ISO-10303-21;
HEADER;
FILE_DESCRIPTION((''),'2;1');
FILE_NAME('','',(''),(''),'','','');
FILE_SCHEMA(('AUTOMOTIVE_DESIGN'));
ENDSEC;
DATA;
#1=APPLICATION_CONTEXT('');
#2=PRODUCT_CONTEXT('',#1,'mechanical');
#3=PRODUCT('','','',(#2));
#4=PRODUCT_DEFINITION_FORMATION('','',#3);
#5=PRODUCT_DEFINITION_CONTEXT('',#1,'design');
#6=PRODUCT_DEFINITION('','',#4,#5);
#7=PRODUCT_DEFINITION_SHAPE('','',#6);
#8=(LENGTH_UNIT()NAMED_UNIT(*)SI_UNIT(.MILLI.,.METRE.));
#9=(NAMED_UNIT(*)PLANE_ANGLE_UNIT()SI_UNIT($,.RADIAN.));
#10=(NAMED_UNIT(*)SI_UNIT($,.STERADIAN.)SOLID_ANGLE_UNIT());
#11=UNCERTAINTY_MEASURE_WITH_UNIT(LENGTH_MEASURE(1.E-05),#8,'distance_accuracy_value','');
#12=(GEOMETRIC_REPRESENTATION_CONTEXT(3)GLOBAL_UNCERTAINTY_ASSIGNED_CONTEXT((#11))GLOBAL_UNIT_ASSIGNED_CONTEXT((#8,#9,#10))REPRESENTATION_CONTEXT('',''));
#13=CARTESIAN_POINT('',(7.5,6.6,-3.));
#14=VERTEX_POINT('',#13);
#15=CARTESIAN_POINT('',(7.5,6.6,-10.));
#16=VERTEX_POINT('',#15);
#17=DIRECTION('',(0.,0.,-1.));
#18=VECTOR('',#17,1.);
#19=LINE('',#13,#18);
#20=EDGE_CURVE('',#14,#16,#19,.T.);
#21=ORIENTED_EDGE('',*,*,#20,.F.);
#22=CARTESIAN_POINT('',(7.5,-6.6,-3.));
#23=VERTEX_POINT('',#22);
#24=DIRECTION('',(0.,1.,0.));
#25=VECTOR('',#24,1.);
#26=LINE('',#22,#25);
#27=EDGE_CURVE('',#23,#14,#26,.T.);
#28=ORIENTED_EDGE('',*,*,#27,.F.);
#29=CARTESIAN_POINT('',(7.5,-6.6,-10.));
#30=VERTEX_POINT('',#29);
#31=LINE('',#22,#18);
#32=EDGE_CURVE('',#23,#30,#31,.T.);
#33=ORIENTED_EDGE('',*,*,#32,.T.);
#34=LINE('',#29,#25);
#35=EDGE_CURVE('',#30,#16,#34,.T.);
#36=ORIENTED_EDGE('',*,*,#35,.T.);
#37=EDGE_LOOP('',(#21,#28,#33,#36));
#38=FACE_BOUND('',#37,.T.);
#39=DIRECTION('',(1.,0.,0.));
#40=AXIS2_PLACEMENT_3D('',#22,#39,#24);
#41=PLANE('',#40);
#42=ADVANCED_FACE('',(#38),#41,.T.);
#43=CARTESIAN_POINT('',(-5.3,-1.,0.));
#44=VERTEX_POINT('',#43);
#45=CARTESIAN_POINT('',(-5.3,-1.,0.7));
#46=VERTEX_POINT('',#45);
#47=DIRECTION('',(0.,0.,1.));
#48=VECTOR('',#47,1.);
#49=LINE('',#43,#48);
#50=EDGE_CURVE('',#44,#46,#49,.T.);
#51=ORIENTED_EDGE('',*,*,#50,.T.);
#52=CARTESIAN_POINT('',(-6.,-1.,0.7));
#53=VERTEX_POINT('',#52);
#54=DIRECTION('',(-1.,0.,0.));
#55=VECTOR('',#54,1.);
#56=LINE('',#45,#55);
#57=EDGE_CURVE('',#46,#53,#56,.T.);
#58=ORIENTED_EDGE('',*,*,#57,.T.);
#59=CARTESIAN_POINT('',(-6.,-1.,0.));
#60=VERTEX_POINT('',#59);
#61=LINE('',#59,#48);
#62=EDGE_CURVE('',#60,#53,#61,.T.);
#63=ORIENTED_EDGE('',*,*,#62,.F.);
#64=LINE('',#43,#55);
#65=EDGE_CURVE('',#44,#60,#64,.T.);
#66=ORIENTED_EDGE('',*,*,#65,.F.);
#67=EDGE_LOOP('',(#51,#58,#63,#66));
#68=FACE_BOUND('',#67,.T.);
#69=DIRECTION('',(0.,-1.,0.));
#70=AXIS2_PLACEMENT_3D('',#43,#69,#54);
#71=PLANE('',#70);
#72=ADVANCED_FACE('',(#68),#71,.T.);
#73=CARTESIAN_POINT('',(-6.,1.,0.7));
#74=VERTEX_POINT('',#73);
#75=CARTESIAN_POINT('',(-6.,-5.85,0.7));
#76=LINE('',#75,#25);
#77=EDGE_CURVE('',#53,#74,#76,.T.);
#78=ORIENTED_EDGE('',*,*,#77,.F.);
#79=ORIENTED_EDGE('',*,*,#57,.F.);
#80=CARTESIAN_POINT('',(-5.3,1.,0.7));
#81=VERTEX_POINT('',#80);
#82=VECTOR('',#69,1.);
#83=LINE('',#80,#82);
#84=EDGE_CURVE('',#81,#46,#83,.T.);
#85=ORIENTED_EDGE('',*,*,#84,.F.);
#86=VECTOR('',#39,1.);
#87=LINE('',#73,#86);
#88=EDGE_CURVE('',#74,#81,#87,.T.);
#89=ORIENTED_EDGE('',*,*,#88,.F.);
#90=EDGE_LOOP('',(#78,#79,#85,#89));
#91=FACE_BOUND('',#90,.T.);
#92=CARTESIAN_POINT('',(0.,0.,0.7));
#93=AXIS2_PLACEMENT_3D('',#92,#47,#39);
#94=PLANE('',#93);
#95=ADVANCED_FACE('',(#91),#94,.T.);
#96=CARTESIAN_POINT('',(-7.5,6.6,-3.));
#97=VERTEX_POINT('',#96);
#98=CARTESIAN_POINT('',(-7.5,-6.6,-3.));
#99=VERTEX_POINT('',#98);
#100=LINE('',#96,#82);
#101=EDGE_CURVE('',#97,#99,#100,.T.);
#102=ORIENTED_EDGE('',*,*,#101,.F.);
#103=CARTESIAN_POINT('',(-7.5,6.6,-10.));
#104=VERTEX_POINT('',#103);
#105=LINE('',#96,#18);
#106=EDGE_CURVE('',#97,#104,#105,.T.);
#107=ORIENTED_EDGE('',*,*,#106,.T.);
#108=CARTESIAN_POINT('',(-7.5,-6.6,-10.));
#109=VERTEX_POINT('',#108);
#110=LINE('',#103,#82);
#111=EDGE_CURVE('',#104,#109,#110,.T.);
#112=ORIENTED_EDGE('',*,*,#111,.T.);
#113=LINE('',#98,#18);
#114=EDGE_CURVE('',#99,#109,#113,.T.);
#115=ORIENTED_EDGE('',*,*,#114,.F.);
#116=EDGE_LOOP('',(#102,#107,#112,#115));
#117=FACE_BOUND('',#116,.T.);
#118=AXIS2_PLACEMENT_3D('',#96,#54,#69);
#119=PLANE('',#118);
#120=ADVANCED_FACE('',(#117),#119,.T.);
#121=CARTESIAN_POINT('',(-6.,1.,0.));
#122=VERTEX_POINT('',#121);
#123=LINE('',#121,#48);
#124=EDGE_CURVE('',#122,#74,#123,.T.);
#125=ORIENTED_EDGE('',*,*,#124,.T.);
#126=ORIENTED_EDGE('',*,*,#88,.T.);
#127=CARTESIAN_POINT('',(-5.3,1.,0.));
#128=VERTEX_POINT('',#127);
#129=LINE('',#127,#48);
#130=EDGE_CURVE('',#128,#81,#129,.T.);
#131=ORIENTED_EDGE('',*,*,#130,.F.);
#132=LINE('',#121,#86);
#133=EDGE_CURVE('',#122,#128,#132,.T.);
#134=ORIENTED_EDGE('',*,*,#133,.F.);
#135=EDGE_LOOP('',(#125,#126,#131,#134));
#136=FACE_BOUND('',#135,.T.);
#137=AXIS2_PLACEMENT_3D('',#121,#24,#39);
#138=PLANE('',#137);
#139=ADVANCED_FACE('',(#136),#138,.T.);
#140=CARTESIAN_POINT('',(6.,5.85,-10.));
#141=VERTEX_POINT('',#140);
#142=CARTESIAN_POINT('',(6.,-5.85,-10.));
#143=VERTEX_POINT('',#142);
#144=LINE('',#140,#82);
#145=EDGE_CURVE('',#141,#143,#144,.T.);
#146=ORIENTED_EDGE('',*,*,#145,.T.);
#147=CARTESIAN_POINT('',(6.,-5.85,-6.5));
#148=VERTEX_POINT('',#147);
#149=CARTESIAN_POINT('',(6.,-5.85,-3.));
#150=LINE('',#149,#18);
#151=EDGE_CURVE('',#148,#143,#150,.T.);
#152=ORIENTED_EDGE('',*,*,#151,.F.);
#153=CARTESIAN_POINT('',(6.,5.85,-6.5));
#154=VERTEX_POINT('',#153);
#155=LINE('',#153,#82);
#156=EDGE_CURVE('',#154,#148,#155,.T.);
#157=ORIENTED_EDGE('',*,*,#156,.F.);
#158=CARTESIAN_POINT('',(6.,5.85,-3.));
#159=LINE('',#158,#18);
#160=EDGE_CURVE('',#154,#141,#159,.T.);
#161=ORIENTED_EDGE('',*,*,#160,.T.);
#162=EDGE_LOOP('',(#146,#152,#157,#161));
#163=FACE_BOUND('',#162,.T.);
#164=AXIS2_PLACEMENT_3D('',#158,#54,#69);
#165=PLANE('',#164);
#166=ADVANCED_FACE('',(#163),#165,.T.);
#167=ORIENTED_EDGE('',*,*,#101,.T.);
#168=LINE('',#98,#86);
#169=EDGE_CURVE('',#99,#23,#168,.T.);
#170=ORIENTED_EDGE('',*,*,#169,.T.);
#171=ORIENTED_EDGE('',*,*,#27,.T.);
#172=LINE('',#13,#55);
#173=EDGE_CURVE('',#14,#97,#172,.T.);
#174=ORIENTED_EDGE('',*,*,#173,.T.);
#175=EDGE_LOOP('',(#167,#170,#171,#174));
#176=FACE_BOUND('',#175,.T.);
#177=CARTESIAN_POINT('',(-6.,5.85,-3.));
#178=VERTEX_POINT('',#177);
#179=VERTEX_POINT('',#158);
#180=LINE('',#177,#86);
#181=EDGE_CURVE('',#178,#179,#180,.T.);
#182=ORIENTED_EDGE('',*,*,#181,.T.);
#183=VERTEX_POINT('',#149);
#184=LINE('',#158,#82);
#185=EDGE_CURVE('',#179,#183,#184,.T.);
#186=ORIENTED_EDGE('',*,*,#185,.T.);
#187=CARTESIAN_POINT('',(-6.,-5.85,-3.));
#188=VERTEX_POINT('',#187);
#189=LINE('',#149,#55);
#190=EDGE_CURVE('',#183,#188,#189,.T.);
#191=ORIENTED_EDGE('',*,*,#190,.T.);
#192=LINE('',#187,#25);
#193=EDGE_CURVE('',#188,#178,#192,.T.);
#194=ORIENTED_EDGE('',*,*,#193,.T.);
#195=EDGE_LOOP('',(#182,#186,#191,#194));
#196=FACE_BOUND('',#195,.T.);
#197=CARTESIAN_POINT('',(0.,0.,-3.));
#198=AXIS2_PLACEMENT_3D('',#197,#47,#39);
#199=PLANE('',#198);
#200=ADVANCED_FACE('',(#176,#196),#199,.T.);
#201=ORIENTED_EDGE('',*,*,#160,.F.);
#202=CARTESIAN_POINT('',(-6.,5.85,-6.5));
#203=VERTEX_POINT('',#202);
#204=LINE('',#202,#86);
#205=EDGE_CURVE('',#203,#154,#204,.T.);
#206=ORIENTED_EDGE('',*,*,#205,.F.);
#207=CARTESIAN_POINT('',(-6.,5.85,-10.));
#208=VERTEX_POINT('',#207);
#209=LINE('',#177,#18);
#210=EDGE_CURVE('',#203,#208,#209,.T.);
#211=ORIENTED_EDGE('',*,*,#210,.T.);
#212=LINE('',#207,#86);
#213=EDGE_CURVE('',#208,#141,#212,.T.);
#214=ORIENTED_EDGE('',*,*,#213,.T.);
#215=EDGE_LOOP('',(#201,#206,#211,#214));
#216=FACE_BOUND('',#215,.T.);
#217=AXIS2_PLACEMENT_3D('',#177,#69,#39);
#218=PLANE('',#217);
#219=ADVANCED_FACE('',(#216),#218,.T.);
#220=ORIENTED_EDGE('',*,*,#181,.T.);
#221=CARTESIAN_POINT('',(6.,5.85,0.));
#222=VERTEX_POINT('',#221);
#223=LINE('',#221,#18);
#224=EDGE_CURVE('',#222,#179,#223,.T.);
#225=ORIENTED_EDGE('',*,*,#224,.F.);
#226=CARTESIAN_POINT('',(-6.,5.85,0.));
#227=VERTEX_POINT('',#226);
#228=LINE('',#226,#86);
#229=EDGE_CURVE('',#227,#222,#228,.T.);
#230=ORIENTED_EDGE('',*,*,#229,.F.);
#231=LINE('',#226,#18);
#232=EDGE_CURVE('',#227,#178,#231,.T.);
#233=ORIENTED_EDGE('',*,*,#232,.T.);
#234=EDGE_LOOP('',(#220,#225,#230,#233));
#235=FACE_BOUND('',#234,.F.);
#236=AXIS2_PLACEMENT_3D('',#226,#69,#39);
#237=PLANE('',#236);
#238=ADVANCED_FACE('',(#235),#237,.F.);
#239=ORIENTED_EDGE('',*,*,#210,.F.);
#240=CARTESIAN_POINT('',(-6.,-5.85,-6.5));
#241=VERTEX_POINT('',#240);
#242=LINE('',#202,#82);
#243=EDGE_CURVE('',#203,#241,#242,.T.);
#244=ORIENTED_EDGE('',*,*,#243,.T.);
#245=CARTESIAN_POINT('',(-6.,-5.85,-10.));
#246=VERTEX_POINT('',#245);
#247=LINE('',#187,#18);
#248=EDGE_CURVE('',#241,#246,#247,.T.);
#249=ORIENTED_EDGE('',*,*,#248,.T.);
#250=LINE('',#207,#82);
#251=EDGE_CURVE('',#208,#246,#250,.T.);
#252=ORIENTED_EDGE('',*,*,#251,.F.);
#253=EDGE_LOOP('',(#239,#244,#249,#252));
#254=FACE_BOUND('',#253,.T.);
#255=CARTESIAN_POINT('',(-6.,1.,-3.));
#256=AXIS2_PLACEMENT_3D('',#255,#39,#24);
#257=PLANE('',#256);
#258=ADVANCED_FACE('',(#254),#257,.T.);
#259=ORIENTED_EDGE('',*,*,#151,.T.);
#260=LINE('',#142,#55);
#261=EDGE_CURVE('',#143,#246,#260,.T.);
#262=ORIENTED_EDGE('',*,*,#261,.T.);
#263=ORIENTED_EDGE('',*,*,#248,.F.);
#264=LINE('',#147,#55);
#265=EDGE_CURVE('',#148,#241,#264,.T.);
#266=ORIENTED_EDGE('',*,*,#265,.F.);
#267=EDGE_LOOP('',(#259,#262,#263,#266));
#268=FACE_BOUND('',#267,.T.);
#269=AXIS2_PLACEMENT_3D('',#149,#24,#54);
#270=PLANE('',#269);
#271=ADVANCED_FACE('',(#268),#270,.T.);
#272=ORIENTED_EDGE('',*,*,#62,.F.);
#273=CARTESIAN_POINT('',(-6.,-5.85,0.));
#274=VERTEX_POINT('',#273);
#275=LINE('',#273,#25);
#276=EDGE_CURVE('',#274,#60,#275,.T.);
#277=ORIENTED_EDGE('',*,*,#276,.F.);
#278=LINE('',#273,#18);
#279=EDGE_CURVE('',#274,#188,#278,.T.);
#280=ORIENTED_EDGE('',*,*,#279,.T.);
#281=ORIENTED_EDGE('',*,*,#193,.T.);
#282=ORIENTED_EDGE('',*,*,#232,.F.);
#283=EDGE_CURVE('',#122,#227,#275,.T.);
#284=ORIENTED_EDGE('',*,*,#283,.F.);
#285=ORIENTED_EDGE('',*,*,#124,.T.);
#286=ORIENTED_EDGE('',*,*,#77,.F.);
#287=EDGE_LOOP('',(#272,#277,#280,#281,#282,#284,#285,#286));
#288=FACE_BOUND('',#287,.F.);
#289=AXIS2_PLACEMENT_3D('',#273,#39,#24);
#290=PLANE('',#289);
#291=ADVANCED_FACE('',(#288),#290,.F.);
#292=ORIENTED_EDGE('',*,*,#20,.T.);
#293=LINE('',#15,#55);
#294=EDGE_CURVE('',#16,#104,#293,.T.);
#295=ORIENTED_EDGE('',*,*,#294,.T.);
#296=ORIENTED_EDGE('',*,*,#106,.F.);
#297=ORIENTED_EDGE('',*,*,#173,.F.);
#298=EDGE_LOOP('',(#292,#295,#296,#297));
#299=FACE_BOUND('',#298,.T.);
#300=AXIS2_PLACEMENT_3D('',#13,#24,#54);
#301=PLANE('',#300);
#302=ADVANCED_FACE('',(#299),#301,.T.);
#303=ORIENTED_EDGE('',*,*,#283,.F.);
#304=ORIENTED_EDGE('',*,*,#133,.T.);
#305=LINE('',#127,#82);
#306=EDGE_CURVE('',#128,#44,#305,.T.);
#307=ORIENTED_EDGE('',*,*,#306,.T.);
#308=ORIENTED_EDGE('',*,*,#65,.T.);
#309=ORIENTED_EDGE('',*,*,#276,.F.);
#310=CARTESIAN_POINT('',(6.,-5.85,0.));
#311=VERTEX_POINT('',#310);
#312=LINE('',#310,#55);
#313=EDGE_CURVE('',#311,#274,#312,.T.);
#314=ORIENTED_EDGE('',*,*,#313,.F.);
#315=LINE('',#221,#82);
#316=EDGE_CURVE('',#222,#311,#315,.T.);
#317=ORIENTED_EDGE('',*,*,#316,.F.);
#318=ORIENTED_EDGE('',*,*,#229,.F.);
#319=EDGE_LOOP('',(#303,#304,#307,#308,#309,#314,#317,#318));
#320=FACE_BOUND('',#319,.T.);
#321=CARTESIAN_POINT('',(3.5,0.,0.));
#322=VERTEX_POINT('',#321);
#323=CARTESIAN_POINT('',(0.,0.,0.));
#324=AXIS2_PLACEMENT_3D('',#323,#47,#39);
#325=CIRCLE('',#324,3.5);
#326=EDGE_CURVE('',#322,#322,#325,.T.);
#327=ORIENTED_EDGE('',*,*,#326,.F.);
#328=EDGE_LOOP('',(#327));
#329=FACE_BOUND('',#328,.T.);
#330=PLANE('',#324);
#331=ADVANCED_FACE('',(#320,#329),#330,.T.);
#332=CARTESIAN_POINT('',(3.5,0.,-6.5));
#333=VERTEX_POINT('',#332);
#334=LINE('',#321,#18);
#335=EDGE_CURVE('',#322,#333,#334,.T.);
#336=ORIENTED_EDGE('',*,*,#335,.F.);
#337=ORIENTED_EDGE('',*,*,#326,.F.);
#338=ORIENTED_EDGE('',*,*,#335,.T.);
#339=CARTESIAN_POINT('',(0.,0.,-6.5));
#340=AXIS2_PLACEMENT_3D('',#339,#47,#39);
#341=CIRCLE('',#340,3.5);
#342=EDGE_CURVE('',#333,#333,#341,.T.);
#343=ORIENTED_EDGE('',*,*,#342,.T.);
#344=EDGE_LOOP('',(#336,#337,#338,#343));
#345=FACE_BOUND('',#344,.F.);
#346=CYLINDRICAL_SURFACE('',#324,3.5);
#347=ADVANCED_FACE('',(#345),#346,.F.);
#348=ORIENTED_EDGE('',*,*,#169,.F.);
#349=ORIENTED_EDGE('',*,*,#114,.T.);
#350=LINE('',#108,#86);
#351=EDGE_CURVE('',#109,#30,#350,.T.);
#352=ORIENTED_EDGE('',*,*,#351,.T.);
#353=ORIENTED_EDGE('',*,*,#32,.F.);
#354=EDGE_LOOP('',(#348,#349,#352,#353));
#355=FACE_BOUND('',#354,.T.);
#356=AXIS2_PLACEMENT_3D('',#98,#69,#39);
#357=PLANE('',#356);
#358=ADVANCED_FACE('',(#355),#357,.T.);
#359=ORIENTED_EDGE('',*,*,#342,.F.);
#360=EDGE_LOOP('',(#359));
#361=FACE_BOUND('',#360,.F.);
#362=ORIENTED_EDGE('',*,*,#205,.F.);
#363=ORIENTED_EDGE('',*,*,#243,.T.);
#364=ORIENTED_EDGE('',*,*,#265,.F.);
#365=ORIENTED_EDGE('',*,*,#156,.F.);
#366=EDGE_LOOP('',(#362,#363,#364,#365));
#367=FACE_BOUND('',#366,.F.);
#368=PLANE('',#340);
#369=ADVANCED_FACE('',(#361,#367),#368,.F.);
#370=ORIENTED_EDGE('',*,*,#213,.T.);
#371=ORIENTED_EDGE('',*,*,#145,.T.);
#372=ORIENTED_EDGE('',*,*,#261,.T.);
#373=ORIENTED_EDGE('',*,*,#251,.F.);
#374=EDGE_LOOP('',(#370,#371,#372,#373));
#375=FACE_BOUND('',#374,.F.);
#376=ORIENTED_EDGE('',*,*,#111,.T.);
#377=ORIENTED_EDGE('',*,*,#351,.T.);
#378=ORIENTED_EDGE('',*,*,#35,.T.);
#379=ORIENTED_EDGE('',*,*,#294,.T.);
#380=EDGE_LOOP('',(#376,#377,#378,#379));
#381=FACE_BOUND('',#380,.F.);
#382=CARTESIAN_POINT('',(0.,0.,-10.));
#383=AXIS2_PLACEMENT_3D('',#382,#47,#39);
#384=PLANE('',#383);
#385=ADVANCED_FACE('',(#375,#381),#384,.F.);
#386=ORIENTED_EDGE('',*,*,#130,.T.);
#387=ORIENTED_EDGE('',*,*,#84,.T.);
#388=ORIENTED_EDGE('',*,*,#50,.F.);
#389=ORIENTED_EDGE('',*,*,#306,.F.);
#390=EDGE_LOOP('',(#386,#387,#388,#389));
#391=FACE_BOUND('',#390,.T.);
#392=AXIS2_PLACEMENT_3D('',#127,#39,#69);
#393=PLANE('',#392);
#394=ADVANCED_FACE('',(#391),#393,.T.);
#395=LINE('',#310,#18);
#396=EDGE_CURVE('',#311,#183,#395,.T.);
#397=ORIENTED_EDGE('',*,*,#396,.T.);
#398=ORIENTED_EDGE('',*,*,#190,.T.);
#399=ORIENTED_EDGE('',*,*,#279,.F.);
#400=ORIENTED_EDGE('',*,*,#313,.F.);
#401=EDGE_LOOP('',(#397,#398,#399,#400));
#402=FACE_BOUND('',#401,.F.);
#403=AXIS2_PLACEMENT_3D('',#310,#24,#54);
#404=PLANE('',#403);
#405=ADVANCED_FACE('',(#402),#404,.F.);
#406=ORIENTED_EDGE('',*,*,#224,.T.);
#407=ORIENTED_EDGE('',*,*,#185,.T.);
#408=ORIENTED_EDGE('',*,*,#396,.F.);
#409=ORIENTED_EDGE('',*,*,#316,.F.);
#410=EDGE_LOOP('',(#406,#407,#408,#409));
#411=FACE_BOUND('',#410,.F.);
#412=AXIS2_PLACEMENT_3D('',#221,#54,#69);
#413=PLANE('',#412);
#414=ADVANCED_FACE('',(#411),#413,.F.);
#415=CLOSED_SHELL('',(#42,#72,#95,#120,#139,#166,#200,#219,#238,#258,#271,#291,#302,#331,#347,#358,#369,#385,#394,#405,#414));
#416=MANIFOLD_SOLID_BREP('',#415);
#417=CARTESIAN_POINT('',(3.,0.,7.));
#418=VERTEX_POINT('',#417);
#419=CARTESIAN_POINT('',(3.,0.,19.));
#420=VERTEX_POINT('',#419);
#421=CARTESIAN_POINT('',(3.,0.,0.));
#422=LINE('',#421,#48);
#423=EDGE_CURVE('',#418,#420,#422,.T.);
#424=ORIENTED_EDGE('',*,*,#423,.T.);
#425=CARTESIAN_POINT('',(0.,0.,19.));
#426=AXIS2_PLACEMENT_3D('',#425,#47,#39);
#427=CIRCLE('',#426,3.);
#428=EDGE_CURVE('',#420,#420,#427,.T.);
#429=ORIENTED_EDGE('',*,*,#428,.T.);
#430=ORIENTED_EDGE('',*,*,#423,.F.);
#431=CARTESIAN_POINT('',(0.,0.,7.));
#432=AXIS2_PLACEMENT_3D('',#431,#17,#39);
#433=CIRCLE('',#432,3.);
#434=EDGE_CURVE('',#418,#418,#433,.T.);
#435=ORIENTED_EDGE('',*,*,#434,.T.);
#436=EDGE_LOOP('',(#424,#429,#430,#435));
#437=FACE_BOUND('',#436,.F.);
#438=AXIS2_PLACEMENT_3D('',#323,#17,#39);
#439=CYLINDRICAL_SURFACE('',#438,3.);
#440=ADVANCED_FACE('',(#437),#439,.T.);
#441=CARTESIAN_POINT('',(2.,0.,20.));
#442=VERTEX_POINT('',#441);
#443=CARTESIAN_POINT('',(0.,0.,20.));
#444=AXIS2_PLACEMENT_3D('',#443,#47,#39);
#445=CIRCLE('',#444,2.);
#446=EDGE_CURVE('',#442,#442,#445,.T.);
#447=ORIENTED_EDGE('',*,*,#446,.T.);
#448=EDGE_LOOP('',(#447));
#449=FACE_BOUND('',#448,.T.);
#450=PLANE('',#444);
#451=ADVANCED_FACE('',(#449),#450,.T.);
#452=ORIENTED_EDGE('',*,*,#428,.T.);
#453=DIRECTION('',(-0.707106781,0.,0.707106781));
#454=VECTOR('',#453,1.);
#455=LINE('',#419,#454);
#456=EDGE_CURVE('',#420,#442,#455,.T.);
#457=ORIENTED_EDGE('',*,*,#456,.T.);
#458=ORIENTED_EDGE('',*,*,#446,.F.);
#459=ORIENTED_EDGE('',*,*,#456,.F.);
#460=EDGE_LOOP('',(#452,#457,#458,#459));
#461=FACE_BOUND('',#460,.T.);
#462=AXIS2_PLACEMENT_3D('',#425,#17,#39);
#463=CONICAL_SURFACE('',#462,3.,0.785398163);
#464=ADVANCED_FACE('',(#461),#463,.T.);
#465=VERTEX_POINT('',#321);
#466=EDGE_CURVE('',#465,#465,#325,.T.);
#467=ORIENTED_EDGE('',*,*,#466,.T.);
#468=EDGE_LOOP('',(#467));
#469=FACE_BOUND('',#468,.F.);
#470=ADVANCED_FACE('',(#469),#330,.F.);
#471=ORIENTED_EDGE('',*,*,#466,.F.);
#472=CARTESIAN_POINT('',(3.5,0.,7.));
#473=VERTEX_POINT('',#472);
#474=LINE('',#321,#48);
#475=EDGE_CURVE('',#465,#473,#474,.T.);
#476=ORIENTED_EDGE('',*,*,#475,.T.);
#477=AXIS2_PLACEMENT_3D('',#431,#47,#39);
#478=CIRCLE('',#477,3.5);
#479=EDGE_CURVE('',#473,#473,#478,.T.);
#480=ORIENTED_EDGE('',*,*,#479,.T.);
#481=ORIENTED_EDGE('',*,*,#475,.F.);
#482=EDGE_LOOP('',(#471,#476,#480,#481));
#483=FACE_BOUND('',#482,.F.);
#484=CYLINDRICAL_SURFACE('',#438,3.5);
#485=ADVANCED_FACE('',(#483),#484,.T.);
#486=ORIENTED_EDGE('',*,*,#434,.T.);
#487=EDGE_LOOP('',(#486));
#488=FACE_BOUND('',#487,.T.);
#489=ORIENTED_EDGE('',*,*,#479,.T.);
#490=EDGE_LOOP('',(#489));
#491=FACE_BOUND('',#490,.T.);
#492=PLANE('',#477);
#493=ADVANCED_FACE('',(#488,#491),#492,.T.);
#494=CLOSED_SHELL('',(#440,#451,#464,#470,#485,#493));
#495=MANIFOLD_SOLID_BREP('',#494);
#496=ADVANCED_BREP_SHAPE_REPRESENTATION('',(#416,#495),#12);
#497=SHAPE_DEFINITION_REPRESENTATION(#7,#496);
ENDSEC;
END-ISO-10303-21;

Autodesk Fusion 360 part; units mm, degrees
sketch "Sketch1" plane through (0, 0, 0) normal (0, 0, 1) x (1, 0, 0)
  line L0 (6, -5.85) -> (-6, -5.85)
  line L1 (-6, -5.85) -> (-6, 5.85)
  line L2 (-6, 5.85) -> (6, 5.85)
  line L3 (6, 5.85) -> (6, -5.85)
  line L4 (6, -5.85) -> (-6, 5.85) construction
  line L5 (-6, -5.85) -> (6, 5.85) construction
  circle A0 centre (0, 0) radius 3.5
  circle A1 centre (0, 0) radius 3
  line L6 (-6, 1) -> (-5.3, 1)
  line L7 (-5.3, 1) -> (-5.3, -1)
  line L8 (-5.3, -1) -> (-6, -1)
  line L9 (-6, -1) -> (-6, 1)
  line L10 (-7.5, -6.6) -> (7.5, -6.6)
  line L11 (7.5, -6.6) -> (7.5, 6.6)
  line L12 (7.5, 6.6) -> (-7.5, 6.6)
  line L13 (-7.5, 6.6) -> (-7.5, -6.6)
  line L14 (-7.5, -6.6) -> (7.5, 6.6) construction
  line L15 (7.5, -6.6) -> (-7.5, 6.6) construction
  point P0 (-6, 0)
  point P1 (-6, 0)
  dimension "d77" = 12
  dimension "d78" = 11.7
  dimension "d79" = 7
  dimension "d80" = 6
  dimension "d81" = 0.7
  dimension "d82" = 2
  dimension "d83" = 15
  dimension "d84" = 13.2
  dimension "d260" = 0
  dimension "d261" = 0
  dimension "d262" = 0
  dimension "d263" = 0
extrude "Extrude1" add sketch "Sketch1" along normal blind 7 contours A0 | A1 makes body 1
extrude "Extrude2" add sketch "Sketch1" along normal blind 20 contours A1 bodies 1
chamfer "Chamfer1" distance 1 angle 45 1 edges at (-2.797, -1.0848, 20) on bodies 1
extrude "Extrude3" add sketch "Sketch1" against normal blind 6.5 separate body contours L0 L1 L2 L3 L6 L7 L8 | L1 L6 L7 L8 L9 makes body 2
extrude "Extrude4" add sketch "Sketch1" against normal blind 7 from surface at -3 contours L10 L11 L12 L13 bodies 2
extrude "Extrude5" add sketch "Sketch1" along normal blind 0.7 contours L1 L6 L7 L8 L9 bodies 2
combine "Combine1" operation add target body 2 tool bodies 1
